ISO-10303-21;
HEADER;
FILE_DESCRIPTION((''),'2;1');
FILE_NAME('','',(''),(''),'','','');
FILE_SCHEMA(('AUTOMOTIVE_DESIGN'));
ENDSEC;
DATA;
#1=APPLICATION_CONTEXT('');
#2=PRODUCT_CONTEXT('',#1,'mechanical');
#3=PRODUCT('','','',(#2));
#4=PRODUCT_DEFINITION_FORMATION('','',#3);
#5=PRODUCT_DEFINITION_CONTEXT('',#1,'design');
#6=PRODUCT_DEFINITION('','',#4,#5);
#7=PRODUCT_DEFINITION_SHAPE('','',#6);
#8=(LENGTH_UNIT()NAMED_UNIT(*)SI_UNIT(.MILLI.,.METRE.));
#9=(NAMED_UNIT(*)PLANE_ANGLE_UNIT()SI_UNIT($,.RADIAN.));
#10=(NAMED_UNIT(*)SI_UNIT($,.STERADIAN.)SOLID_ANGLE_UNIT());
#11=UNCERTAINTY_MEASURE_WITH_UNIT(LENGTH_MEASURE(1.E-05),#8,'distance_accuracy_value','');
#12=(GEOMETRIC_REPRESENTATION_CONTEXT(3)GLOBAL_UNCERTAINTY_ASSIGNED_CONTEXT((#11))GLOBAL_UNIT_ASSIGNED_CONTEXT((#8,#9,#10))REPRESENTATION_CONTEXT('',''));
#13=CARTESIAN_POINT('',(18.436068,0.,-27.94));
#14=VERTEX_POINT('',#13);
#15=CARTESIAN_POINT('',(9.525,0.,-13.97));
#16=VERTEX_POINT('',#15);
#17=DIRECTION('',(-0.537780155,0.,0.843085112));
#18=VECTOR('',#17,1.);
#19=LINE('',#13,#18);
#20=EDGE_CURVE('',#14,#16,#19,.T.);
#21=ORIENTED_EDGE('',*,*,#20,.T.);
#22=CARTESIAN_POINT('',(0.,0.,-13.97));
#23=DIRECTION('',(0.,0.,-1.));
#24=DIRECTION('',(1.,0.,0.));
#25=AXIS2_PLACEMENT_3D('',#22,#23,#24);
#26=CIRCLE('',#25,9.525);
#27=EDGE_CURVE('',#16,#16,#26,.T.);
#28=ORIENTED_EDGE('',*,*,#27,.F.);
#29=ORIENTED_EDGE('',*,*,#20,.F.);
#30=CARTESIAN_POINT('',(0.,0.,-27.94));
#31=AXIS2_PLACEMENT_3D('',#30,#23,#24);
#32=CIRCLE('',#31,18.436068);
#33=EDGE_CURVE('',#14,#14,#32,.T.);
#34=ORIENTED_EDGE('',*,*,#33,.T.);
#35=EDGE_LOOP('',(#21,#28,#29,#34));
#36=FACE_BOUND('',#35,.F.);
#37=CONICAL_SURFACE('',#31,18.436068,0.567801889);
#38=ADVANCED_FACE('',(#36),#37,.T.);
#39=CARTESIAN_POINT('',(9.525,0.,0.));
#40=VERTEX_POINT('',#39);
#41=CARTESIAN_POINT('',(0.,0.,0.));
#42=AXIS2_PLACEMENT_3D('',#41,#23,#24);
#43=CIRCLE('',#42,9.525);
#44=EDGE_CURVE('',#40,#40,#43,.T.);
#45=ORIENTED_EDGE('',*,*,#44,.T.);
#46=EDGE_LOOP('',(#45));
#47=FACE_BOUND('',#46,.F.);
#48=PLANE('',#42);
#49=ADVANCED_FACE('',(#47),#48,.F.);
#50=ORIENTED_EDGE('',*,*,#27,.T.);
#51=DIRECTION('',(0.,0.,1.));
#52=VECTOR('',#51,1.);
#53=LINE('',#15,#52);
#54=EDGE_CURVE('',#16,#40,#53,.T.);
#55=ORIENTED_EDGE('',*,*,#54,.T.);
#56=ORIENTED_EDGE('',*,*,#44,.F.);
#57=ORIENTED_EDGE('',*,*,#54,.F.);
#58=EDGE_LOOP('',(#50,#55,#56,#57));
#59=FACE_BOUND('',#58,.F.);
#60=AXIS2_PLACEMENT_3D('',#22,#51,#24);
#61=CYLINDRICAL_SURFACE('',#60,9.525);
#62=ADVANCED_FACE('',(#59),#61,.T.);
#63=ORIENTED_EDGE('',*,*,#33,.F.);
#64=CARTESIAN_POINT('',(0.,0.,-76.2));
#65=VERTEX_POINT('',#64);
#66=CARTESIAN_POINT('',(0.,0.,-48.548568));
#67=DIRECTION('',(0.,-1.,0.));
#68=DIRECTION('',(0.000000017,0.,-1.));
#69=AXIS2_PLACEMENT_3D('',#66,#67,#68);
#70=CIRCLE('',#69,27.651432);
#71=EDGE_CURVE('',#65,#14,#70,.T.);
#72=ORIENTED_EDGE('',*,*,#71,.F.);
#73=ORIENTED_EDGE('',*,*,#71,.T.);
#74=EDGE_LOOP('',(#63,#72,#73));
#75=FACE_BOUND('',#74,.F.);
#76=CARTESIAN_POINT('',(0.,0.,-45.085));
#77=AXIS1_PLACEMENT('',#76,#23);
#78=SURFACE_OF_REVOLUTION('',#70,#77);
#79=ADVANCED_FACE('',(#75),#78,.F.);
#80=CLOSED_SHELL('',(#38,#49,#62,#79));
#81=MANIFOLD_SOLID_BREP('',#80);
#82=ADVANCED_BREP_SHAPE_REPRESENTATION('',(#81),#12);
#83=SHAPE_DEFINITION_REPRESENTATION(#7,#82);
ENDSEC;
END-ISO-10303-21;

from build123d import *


with BuildPart() as f1:
    # F0 (on Front) → F1 (revolve)
    with BuildSketch(Plane.XZ):
        with BuildLine():
            Line((9.525, 0), (0, 0))
            Line((0, 0), (0, -13.97))
            Line((0, -13.97), (0, -76.2))
            ThreePointArc((0, -76.2), (25.830777, -58.416325), (18.436068, -27.94))
            Line((18.436068, -27.94), (9.525, -13.97))
            Line((9.525, -13.97), (9.525, 0))
        make_face()
    revolve(axis=Axis((0, 0, -45.085), (0, 0, -1)))


solid = f1.part
